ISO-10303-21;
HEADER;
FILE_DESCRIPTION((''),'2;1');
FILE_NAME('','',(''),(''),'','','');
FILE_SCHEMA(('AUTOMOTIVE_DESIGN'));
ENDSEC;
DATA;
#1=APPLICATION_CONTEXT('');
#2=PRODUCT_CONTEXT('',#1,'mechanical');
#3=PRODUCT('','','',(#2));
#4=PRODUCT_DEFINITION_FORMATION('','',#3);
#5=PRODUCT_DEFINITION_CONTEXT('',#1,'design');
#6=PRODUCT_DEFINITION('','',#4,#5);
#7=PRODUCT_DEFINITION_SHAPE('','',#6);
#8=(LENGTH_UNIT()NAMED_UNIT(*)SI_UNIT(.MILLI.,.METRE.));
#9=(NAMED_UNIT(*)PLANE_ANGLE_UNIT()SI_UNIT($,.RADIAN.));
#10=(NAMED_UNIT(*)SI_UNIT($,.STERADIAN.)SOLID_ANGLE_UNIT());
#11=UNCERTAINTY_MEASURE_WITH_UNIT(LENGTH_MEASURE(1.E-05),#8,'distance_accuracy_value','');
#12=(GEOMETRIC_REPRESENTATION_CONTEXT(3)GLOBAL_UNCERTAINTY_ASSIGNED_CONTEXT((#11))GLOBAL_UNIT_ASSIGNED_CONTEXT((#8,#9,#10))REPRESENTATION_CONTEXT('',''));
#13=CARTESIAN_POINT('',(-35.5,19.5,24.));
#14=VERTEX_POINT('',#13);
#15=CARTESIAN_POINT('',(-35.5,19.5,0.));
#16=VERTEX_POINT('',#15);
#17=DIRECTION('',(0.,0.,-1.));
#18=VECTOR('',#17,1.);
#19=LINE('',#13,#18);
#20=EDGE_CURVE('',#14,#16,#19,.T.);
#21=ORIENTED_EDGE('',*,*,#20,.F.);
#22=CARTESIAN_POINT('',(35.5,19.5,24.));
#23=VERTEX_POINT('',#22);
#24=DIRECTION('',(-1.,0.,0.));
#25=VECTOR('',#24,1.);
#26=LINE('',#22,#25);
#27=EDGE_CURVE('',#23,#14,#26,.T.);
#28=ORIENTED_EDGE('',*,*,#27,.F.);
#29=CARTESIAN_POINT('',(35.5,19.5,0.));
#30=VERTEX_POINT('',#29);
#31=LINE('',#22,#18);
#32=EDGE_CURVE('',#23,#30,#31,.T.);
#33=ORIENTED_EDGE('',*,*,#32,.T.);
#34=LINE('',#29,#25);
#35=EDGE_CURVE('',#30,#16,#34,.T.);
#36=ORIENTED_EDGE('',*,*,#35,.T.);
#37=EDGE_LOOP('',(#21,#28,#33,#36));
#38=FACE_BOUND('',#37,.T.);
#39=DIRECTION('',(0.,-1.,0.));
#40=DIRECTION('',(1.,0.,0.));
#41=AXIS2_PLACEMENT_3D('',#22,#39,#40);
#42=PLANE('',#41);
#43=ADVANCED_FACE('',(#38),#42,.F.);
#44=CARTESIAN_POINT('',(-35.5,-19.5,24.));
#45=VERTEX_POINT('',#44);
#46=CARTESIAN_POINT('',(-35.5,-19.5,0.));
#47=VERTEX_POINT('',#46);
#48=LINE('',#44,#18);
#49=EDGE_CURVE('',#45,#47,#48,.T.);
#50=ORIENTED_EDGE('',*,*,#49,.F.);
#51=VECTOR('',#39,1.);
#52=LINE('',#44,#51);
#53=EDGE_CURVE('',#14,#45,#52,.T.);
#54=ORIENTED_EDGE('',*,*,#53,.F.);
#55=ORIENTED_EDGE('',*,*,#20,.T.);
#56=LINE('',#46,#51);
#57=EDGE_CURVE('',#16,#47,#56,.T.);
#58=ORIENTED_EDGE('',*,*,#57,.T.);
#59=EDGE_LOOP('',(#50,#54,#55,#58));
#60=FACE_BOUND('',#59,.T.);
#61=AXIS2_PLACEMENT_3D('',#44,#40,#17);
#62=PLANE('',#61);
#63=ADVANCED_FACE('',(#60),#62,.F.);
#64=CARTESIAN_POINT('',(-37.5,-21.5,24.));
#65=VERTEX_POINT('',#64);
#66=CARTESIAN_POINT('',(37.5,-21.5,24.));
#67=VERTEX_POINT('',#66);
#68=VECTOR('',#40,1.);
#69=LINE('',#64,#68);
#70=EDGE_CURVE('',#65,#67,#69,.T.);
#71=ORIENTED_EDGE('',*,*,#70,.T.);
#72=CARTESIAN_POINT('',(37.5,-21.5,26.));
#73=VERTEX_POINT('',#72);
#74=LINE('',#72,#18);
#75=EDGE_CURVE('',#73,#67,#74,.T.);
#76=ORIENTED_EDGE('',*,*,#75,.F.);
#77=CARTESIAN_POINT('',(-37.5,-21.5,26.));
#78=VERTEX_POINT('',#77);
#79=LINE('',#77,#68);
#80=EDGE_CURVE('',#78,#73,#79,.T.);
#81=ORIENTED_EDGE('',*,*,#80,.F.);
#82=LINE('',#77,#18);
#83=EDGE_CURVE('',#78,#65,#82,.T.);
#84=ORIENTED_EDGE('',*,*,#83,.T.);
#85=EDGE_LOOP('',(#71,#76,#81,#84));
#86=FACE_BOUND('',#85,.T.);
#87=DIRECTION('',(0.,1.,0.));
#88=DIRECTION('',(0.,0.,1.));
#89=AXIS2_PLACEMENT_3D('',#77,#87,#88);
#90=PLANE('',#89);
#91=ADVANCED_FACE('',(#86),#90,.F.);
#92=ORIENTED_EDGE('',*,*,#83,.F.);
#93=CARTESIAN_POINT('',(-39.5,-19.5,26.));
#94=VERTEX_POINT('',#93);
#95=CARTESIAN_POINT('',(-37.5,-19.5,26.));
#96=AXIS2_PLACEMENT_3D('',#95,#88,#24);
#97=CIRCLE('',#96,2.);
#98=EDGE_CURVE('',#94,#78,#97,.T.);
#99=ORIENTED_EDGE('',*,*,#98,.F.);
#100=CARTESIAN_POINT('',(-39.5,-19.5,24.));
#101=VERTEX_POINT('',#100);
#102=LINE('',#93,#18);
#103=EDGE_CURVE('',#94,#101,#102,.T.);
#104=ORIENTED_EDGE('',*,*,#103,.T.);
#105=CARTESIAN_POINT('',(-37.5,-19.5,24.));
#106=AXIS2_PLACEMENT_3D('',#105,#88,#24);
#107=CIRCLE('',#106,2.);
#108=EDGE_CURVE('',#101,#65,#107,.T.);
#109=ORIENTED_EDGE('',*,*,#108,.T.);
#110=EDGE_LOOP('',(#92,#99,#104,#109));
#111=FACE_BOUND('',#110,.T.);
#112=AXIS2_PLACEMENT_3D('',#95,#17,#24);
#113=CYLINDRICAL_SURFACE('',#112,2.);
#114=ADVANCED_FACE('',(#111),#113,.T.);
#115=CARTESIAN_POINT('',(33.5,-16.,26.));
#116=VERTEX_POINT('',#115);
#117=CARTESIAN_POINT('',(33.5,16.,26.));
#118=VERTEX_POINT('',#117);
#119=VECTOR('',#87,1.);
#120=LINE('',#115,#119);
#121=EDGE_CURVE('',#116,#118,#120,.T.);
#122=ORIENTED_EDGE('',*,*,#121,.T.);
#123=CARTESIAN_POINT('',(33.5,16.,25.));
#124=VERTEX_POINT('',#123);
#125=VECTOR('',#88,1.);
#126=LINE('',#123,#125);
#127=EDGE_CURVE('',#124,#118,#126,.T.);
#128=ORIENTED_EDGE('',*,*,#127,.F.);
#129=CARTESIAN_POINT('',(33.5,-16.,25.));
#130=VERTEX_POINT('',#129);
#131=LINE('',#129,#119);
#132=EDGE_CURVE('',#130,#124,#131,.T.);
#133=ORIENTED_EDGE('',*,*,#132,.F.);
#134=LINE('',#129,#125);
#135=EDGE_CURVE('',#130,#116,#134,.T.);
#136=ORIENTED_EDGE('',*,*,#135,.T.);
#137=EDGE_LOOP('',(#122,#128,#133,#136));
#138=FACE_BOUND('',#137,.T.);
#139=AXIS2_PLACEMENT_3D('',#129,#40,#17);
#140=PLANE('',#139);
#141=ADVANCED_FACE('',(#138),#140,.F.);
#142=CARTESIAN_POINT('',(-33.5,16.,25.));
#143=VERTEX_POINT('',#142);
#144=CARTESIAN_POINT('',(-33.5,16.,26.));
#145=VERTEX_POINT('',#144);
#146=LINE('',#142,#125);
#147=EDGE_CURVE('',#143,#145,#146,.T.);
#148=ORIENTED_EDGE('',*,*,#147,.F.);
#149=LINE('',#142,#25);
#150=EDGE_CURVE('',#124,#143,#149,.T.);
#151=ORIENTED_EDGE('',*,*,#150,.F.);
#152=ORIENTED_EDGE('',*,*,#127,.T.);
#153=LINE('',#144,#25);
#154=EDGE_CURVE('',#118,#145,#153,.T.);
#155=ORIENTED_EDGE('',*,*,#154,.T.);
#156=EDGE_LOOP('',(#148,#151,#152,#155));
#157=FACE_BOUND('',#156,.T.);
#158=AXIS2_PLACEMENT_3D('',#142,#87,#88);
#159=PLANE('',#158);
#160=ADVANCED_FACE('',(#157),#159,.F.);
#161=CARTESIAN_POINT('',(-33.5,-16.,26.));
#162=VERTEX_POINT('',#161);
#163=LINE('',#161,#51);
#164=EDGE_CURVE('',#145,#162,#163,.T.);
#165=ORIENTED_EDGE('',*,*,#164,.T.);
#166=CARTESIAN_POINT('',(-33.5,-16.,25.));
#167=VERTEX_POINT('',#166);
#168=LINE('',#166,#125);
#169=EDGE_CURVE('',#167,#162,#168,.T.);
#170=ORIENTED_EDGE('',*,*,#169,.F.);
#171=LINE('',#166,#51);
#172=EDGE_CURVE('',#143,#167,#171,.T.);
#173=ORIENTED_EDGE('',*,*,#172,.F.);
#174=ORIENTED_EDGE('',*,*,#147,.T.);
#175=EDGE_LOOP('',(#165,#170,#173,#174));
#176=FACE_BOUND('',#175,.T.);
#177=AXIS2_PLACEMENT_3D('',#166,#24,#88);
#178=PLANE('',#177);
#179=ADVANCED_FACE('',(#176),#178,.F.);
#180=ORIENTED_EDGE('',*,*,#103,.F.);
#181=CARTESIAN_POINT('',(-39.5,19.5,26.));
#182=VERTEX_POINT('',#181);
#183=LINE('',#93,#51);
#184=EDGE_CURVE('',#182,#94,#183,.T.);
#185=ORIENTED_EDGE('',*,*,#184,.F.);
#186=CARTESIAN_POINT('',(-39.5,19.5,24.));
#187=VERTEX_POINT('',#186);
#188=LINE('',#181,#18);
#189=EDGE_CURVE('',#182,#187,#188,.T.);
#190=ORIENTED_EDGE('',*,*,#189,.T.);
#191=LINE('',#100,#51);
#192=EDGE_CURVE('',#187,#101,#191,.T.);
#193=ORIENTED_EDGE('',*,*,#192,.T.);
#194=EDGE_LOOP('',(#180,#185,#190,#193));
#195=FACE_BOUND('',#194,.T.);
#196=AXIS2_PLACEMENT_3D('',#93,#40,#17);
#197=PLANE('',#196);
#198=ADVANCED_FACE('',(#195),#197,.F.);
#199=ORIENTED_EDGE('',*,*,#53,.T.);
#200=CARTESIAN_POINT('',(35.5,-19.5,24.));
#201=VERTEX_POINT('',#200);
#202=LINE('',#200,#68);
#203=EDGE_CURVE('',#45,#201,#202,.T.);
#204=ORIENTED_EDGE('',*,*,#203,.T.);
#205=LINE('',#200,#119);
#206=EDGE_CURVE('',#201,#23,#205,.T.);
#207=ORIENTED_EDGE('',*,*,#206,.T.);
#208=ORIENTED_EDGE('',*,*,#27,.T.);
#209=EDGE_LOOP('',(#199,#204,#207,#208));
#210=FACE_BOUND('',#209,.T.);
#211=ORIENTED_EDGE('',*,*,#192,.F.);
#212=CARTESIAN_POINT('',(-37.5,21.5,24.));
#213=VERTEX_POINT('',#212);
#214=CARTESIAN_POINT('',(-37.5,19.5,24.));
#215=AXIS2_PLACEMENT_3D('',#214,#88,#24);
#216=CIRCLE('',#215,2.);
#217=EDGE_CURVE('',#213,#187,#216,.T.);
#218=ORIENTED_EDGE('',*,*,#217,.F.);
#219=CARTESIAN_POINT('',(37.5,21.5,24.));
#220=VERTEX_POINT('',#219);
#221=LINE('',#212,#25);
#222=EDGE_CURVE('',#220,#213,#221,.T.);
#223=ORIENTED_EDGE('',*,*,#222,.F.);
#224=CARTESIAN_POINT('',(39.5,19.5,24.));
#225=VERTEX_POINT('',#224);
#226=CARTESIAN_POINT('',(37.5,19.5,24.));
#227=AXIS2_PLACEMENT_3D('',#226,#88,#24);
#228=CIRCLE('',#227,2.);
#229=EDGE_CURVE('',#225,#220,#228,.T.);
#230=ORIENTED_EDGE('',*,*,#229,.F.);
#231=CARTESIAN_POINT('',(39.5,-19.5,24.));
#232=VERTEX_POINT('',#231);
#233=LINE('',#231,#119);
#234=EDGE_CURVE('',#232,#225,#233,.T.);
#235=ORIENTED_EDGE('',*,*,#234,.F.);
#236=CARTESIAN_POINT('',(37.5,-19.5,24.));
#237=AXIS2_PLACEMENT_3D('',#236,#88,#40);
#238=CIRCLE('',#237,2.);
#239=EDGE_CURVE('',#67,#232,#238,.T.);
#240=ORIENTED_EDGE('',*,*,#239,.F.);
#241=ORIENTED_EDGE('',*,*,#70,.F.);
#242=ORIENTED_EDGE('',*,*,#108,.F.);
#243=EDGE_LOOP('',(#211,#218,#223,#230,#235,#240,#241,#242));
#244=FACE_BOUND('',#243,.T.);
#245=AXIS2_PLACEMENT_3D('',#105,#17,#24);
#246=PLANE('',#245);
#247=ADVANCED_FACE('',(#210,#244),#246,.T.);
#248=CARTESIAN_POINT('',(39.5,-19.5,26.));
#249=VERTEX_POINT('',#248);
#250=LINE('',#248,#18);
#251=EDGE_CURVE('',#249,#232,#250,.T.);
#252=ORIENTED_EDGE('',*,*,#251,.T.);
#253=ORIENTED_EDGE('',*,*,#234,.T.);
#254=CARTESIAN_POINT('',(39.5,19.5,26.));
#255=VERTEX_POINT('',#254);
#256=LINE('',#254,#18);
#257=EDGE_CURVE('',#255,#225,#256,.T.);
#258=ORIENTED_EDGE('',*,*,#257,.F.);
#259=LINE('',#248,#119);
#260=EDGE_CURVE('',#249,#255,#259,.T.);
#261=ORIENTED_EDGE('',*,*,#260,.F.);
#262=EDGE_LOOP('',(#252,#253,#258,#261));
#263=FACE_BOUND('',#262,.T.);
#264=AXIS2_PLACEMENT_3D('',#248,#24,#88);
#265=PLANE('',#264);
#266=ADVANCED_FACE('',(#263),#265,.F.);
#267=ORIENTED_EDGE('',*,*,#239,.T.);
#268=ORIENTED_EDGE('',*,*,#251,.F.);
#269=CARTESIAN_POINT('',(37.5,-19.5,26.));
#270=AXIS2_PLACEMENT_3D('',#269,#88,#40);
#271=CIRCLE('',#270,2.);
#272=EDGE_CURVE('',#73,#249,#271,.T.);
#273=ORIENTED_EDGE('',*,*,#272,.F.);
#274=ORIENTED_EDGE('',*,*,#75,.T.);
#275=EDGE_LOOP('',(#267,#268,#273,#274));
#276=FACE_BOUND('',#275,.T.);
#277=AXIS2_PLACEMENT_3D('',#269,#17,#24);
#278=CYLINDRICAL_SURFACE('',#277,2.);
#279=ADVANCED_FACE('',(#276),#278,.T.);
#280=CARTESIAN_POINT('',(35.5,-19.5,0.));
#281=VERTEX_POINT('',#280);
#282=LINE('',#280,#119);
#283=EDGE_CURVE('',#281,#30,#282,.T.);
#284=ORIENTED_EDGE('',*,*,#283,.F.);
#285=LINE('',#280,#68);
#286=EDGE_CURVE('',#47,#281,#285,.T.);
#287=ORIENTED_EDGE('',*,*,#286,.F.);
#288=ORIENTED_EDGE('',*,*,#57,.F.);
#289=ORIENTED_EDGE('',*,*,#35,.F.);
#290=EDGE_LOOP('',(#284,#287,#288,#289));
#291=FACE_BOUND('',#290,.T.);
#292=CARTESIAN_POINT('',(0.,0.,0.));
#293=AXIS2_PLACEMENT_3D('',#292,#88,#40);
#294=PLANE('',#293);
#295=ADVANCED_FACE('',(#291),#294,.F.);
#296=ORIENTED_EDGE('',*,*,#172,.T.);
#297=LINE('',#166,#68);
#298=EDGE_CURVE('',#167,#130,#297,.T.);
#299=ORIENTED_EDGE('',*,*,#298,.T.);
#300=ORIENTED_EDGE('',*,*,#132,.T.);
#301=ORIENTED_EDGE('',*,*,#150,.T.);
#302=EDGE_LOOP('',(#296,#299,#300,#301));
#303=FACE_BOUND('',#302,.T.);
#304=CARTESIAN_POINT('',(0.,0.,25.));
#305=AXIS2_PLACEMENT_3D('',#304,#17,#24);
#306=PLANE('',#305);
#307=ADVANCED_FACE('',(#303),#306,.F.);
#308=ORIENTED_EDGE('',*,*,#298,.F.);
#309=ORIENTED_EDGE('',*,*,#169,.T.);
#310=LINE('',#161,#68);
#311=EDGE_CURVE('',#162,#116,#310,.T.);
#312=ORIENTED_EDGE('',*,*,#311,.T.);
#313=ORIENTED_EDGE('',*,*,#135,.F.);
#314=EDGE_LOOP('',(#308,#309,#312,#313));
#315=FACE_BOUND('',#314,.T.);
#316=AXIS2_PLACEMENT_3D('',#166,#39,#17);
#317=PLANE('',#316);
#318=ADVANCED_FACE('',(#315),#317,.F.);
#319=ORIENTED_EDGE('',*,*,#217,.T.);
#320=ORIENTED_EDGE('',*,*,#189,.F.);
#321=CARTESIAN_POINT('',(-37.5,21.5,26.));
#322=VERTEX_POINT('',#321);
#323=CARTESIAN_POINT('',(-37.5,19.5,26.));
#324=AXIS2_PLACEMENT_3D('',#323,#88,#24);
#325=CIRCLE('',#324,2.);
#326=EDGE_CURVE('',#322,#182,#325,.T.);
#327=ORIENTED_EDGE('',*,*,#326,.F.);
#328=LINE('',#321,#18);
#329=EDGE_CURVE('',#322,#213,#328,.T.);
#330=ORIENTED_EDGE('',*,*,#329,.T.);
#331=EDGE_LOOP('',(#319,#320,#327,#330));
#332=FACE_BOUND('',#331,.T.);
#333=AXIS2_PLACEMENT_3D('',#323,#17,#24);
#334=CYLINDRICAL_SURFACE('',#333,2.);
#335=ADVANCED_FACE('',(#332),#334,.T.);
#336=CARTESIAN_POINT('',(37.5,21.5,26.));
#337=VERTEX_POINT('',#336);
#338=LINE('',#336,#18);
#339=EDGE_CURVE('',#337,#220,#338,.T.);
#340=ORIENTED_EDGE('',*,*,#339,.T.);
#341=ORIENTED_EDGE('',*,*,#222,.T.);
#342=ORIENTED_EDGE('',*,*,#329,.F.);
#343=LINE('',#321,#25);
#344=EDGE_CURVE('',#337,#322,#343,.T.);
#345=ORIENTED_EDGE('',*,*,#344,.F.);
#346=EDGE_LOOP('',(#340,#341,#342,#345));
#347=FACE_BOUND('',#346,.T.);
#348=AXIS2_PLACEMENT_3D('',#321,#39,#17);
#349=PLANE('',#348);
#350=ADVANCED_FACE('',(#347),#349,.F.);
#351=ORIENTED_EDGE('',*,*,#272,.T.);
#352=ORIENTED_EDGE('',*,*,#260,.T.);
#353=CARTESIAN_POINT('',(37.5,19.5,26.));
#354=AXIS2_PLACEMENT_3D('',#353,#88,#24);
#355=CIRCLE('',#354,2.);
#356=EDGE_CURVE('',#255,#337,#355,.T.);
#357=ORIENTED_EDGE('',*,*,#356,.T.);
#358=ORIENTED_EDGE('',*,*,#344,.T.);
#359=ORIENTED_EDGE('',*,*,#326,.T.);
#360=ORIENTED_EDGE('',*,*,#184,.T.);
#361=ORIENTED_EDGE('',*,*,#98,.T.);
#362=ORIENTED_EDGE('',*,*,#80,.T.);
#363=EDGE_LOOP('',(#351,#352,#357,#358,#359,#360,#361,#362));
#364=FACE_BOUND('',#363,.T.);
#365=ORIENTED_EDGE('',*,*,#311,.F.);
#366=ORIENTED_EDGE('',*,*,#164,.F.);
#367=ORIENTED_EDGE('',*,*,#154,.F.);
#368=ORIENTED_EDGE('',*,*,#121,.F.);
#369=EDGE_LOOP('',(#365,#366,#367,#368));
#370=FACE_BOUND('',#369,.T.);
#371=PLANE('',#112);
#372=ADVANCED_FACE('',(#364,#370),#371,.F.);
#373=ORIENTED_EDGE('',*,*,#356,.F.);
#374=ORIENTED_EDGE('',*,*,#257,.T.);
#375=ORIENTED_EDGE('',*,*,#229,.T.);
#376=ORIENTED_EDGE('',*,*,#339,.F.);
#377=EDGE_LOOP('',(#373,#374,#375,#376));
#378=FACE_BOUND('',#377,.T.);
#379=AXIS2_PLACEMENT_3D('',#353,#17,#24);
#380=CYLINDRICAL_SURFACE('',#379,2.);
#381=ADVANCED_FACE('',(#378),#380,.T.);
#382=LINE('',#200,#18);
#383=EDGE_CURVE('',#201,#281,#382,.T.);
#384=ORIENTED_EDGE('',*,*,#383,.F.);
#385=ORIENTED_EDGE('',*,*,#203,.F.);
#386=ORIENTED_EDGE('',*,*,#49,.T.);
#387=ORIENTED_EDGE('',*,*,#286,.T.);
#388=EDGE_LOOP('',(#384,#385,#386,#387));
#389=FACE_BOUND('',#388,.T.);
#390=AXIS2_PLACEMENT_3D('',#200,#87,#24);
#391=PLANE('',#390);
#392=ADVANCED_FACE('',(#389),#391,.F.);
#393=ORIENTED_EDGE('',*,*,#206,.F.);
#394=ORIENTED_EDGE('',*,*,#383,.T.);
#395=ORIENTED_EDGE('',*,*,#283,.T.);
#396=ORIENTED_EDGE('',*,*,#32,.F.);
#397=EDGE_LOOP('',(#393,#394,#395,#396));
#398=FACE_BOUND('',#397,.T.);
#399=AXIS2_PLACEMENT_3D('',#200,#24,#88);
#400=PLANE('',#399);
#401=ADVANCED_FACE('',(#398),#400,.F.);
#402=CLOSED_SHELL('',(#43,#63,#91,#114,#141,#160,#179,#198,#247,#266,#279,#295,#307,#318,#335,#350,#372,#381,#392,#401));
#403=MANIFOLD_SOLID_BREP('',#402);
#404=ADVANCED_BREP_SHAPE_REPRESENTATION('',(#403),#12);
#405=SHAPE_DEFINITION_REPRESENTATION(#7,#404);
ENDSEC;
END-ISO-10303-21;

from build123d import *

# Parameters (mm, degrees)
SKETCH_1_W          = 71
SKETCH_1_H          = 39
EXTRUDE_1_DEPTH     = 24
EXTRUDE_2_DEPTH     = 2
SKETCH_3_W          = 67
SKETCH_3_H          = 32
CUT_EXTRUDE_1_DEPTH = 1


with BuildPart() as part:
    # 草图1 → 凸台-拉伸1 (new body)
    with BuildSketch(Plane.XY):
        Rectangle(SKETCH_1_W, SKETCH_1_H)
    extrude(amount=EXTRUDE_1_DEPTH)

    # 草图2 → 凸台-拉伸2 (add)
    with BuildSketch(Plane.XY.offset(24)):
        with BuildLine():
            Line((-37.5, -21.5), (37.5, -21.5))
            ThreePointArc((37.5, -21.5), (38.914213562, -20.914213562), (39.5, -19.5))
            Line((39.5, -19.5), (39.5, 19.5))
            ThreePointArc((39.5, 19.5), (38.914213562, 20.914213562), (37.5, 21.5))
            Line((37.5, 21.5), (-37.5, 21.5))
            ThreePointArc((-37.5, 21.5), (-38.914213562, 20.914213562), (-39.5, 19.5))
            Line((-39.5, 19.5), (-39.5, -19.5))
            ThreePointArc((-39.5, -19.5), (-38.914213562, -20.914213562), (-37.5, -21.5))
        make_face()
    extrude(amount=EXTRUDE_2_DEPTH)

    # 草图3 → 切除-拉伸1 (cut)
    with BuildSketch(Plane.XY.offset(26)):
        Rectangle(SKETCH_3_W, SKETCH_3_H)
    extrude(amount=-CUT_EXTRUDE_1_DEPTH, mode=Mode.SUBTRACT)


solid = part.part
